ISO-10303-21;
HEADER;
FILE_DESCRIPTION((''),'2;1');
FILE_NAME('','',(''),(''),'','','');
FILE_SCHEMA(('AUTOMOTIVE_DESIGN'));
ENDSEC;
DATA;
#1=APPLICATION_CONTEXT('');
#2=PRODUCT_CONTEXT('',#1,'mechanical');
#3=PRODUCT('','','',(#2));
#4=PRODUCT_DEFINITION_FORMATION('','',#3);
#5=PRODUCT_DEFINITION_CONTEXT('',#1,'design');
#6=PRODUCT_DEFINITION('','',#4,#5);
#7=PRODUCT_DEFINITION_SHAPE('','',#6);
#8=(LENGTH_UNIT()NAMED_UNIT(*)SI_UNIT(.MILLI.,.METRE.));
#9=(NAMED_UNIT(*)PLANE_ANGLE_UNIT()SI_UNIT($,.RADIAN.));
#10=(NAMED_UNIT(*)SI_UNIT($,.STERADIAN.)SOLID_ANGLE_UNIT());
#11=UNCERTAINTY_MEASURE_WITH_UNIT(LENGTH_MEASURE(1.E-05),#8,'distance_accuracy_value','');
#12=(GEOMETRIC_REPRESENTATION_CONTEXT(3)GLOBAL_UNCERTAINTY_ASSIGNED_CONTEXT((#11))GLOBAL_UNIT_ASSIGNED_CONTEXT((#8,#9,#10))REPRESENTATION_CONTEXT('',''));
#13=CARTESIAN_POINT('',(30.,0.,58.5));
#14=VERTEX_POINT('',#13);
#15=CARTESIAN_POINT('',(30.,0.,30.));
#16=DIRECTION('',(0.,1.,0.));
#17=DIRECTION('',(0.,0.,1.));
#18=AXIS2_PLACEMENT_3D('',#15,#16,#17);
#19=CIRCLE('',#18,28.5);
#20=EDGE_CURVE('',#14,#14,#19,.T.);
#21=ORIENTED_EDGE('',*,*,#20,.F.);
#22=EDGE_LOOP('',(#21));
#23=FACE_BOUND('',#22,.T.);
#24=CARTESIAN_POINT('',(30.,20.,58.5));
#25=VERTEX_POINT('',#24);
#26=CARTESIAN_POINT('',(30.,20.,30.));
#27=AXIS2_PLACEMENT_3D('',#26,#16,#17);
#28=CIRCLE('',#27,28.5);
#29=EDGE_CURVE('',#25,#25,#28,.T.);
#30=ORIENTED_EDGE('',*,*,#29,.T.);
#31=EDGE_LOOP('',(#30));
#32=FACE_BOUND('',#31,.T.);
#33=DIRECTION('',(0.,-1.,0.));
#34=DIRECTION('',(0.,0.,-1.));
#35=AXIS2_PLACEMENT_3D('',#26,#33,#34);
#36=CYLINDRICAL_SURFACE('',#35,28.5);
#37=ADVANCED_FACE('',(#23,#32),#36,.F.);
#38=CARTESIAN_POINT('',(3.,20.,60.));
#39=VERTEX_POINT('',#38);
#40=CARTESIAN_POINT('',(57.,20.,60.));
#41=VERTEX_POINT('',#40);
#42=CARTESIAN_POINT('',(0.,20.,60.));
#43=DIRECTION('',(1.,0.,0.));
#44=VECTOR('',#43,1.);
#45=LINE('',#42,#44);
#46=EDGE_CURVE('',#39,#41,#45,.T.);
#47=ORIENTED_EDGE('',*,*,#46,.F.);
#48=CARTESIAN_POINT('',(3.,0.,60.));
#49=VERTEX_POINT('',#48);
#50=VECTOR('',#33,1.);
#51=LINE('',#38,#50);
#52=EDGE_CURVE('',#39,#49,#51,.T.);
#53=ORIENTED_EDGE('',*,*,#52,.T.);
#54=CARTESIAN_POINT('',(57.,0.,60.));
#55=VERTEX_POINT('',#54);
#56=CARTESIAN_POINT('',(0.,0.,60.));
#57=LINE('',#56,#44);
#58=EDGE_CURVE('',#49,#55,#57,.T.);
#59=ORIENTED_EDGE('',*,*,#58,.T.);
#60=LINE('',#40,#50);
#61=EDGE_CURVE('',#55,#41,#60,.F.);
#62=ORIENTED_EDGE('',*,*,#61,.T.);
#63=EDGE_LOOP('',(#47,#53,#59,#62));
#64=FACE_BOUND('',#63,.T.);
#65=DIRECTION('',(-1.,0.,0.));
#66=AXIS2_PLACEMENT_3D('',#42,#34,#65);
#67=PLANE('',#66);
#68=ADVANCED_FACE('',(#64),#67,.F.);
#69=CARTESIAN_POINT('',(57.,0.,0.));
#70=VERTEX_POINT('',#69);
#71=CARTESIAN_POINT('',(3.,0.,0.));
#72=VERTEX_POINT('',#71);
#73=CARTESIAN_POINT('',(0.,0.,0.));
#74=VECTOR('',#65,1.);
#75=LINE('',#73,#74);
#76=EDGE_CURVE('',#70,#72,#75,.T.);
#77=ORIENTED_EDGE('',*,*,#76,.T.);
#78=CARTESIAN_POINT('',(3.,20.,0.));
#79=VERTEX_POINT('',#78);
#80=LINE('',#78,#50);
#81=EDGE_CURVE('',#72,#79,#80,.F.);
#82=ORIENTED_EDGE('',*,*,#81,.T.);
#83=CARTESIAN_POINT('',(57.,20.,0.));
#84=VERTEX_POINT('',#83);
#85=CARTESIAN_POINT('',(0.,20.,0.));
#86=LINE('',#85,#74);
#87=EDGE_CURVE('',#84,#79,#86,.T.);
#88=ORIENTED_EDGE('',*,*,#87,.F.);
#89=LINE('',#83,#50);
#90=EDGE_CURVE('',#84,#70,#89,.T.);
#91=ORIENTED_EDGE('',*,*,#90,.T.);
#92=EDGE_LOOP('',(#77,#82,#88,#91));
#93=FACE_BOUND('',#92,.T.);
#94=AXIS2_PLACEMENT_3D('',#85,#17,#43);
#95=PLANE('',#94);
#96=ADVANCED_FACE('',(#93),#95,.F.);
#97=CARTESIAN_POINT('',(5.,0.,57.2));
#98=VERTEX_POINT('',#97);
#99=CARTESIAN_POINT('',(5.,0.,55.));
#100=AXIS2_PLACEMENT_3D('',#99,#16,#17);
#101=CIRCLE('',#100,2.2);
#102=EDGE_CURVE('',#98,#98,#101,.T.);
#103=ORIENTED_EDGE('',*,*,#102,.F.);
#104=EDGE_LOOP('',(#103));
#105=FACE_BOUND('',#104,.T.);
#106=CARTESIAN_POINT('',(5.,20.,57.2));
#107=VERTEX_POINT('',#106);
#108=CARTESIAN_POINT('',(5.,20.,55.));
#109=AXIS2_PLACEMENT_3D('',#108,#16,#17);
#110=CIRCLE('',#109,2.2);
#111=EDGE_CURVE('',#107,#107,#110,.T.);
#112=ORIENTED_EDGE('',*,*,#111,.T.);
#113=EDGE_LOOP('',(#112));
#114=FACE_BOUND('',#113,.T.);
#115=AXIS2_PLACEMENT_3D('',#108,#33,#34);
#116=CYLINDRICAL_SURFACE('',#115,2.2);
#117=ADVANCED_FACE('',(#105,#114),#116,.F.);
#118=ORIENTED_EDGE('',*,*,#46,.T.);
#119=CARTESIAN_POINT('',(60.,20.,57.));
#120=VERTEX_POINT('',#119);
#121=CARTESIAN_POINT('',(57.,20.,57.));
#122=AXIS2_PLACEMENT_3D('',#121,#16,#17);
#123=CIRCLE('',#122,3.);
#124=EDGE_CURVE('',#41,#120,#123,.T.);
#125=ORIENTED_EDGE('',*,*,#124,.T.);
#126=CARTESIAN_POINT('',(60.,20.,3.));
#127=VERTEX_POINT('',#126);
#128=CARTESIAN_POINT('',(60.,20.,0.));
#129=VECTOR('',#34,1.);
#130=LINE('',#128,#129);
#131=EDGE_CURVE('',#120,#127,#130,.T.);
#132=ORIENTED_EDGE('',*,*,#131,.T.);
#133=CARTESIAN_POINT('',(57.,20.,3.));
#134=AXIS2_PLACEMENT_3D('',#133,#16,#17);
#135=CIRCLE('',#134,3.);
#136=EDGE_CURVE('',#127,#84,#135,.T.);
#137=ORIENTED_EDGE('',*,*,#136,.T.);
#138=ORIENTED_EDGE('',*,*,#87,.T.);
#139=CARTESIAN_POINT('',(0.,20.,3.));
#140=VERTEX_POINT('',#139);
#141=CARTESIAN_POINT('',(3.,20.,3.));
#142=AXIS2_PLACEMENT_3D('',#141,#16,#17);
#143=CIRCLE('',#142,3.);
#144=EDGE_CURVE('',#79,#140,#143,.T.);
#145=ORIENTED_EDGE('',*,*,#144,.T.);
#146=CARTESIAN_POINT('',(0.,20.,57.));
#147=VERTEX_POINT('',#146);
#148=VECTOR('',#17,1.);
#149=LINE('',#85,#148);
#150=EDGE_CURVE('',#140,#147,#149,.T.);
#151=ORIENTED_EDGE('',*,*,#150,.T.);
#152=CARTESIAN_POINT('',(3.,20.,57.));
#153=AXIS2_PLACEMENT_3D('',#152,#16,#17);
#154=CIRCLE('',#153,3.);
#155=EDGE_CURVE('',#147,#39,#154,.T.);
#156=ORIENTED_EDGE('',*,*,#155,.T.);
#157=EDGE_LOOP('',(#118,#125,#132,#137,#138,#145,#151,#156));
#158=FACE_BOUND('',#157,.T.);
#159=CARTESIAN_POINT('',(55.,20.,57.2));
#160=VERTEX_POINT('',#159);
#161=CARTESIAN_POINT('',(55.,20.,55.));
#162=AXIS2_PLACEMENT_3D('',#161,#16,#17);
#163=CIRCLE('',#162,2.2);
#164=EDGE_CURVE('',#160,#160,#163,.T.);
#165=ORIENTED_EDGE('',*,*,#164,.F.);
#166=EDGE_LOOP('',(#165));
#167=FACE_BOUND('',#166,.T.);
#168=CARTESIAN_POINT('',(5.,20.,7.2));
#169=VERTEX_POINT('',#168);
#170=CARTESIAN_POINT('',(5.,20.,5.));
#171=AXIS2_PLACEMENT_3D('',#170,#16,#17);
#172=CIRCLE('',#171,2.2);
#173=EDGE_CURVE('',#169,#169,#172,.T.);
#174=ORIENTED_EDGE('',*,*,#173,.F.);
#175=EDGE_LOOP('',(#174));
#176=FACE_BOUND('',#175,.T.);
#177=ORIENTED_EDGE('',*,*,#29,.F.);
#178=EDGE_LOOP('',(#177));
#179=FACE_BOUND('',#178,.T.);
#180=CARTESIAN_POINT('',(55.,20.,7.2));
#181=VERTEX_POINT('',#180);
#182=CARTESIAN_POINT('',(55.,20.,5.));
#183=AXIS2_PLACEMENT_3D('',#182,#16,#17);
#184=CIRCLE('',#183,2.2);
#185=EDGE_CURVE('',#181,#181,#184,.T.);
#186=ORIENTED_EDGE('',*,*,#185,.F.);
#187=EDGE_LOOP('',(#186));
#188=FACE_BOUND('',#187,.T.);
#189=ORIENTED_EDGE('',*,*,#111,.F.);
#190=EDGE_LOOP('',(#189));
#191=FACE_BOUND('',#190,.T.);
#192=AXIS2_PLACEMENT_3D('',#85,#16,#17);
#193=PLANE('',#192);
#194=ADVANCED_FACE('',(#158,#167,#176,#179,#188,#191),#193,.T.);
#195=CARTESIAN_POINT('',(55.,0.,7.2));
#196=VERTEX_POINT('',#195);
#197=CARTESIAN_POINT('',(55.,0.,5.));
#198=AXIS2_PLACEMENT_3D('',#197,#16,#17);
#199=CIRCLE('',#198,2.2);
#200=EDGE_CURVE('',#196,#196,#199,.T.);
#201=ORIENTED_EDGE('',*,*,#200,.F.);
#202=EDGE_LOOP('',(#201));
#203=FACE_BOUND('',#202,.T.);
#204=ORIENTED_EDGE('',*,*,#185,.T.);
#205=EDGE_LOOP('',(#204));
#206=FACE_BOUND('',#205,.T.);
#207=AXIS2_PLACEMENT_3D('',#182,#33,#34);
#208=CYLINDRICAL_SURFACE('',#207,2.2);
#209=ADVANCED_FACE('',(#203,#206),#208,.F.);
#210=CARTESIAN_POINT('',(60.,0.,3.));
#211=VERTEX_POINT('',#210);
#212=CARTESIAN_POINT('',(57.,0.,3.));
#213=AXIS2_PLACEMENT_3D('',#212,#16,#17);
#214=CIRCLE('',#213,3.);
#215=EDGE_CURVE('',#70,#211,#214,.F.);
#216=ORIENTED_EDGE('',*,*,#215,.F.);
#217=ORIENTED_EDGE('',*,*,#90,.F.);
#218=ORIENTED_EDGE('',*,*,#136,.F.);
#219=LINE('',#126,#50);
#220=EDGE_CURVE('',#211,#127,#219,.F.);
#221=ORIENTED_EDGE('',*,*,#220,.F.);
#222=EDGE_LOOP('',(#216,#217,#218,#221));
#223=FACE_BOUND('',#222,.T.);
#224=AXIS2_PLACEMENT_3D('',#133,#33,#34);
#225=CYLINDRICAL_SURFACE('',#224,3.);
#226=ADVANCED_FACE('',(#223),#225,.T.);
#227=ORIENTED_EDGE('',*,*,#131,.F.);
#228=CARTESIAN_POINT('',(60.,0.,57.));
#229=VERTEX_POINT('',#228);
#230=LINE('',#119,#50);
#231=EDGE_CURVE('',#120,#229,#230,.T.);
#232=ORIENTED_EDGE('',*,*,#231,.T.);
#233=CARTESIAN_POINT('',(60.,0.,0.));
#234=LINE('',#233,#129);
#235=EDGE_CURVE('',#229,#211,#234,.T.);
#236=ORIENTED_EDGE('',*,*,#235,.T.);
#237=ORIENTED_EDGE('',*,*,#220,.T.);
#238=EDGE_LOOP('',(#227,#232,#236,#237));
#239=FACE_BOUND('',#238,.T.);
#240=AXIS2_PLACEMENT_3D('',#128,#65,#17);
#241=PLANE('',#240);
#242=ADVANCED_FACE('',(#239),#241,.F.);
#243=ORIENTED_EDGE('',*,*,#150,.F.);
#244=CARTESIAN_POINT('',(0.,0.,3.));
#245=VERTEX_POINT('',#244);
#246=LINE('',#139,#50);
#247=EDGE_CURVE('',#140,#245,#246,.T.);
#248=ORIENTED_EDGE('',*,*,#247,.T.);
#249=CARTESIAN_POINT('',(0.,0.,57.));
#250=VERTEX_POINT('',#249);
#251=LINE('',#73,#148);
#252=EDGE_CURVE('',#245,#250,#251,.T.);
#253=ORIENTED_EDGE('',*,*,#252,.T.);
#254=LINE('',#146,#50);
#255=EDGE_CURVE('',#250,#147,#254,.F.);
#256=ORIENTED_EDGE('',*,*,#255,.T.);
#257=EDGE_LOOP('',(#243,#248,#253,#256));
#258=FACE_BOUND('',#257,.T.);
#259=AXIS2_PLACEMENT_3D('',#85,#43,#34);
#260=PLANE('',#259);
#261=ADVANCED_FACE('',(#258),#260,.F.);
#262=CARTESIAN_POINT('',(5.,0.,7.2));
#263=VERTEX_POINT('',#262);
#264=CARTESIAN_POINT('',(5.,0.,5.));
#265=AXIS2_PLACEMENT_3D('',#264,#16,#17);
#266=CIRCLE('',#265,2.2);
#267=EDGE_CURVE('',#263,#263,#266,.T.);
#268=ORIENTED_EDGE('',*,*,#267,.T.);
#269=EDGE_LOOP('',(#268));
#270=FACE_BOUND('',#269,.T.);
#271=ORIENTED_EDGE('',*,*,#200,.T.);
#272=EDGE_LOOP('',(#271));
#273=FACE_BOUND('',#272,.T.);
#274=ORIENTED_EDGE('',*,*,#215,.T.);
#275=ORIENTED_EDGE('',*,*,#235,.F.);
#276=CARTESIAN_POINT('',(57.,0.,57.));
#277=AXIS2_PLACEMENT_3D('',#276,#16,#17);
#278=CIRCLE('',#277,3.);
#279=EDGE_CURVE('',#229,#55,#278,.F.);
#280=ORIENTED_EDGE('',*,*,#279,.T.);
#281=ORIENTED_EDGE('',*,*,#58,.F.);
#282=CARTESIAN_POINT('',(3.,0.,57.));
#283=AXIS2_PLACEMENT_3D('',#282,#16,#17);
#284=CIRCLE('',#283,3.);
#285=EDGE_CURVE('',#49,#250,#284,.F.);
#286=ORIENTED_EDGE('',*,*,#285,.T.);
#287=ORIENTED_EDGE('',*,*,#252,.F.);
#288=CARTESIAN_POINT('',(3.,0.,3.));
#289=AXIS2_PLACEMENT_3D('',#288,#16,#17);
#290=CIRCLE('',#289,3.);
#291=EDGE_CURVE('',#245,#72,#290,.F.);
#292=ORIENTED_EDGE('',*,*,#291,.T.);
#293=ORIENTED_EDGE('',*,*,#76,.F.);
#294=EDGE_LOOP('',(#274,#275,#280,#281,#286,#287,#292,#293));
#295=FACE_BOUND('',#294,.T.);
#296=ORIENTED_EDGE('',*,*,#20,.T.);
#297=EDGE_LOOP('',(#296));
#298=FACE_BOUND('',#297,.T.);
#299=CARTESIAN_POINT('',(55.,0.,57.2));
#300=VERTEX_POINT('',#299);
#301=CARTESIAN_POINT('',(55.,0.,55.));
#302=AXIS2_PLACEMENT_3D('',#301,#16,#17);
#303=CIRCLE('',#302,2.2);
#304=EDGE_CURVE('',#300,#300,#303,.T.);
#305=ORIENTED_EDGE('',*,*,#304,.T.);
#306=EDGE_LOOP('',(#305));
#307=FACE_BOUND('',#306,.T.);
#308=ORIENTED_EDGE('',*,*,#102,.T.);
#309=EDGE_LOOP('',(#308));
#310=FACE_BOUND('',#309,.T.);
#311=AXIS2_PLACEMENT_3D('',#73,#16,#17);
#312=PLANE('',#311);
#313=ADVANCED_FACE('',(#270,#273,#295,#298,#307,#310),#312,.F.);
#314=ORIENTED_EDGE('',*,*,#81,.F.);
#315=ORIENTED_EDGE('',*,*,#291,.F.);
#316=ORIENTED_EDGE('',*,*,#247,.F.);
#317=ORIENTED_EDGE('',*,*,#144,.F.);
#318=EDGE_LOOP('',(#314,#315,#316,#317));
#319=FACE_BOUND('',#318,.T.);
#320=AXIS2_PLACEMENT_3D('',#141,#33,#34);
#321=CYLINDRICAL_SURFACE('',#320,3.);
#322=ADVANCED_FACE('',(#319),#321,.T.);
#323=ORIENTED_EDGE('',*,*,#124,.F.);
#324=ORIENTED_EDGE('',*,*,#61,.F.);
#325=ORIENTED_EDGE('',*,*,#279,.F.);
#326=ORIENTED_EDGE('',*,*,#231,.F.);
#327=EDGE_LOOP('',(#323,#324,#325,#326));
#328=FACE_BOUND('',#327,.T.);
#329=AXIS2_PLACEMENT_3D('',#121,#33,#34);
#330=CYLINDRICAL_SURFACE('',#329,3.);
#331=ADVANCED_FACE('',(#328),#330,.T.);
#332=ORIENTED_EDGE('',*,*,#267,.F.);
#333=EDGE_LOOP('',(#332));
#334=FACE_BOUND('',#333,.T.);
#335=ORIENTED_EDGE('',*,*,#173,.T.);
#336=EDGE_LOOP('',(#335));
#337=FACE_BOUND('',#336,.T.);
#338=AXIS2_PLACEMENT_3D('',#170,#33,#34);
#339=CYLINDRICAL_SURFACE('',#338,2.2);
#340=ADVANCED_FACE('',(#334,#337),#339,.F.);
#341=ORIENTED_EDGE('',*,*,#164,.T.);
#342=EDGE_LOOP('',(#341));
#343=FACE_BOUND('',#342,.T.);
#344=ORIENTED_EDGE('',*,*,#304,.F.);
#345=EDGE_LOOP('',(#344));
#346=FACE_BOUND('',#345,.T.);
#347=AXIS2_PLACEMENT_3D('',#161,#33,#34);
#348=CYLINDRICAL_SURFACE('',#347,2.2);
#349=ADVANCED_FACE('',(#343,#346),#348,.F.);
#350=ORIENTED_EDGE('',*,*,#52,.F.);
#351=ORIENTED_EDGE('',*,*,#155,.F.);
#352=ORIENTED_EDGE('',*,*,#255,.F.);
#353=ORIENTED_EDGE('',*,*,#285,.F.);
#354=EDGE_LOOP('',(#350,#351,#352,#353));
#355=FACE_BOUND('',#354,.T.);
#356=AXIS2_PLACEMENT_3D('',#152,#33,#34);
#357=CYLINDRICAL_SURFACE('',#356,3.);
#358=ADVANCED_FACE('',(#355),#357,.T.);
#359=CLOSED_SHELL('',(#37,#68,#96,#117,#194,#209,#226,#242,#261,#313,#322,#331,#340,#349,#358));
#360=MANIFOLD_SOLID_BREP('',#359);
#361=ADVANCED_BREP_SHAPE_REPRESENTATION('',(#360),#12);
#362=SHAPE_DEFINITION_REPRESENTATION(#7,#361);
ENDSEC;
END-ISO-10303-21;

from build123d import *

# Parameters (mm, degrees)
SKETCH1_W           = 60
SKETCH1_H           = 60
SKETCH1_R           = 2.2
SKETCH1_R_2         = 28.5
BOSS_EXTRUDE1_DEPTH = 20
FILLET1_R           = 3


with BuildPart() as part:
    # Sketch1 → Boss-Extrude1 (new body)
    with BuildSketch(Plane(origin=(0, 0, 0), x_dir=(1, 0, 0), z_dir=(0, 1, 0))):
        with Locations((30, -30)):
            Rectangle(SKETCH1_W, SKETCH1_H)
        with Locations(Location((5, -55, 0), (0, 0, 270))):
            Circle(SKETCH1_R, mode=Mode.SUBTRACT)
        with Locations(Location((55, -55, 0), (0, 0, 270))):
            Circle(SKETCH1_R, mode=Mode.SUBTRACT)
        with Locations(Location((55, -5, 0), (0, 0, 270))):
            Circle(SKETCH1_R, mode=Mode.SUBTRACT)
        with Locations(Location((5, -5, 0), (0, 0, 270))):
            Circle(SKETCH1_R, mode=Mode.SUBTRACT)
        with Locations(Location((30, -30, 0), (0, 0, 270))):
            Circle(SKETCH1_R_2, mode=Mode.SUBTRACT)
    extrude(amount=BOSS_EXTRUDE1_DEPTH)

    # Fillet1
    fillet1_edges = [part.edges().sort_by_distance(p)[0] for p in [
        (0, 10, 0),
        (60, 10, 0),
        (60, 10, 60),
        (0, 10, 60),
    ]]
    fillet(fillet1_edges, radius=FILLET1_R)


solid = part.part
